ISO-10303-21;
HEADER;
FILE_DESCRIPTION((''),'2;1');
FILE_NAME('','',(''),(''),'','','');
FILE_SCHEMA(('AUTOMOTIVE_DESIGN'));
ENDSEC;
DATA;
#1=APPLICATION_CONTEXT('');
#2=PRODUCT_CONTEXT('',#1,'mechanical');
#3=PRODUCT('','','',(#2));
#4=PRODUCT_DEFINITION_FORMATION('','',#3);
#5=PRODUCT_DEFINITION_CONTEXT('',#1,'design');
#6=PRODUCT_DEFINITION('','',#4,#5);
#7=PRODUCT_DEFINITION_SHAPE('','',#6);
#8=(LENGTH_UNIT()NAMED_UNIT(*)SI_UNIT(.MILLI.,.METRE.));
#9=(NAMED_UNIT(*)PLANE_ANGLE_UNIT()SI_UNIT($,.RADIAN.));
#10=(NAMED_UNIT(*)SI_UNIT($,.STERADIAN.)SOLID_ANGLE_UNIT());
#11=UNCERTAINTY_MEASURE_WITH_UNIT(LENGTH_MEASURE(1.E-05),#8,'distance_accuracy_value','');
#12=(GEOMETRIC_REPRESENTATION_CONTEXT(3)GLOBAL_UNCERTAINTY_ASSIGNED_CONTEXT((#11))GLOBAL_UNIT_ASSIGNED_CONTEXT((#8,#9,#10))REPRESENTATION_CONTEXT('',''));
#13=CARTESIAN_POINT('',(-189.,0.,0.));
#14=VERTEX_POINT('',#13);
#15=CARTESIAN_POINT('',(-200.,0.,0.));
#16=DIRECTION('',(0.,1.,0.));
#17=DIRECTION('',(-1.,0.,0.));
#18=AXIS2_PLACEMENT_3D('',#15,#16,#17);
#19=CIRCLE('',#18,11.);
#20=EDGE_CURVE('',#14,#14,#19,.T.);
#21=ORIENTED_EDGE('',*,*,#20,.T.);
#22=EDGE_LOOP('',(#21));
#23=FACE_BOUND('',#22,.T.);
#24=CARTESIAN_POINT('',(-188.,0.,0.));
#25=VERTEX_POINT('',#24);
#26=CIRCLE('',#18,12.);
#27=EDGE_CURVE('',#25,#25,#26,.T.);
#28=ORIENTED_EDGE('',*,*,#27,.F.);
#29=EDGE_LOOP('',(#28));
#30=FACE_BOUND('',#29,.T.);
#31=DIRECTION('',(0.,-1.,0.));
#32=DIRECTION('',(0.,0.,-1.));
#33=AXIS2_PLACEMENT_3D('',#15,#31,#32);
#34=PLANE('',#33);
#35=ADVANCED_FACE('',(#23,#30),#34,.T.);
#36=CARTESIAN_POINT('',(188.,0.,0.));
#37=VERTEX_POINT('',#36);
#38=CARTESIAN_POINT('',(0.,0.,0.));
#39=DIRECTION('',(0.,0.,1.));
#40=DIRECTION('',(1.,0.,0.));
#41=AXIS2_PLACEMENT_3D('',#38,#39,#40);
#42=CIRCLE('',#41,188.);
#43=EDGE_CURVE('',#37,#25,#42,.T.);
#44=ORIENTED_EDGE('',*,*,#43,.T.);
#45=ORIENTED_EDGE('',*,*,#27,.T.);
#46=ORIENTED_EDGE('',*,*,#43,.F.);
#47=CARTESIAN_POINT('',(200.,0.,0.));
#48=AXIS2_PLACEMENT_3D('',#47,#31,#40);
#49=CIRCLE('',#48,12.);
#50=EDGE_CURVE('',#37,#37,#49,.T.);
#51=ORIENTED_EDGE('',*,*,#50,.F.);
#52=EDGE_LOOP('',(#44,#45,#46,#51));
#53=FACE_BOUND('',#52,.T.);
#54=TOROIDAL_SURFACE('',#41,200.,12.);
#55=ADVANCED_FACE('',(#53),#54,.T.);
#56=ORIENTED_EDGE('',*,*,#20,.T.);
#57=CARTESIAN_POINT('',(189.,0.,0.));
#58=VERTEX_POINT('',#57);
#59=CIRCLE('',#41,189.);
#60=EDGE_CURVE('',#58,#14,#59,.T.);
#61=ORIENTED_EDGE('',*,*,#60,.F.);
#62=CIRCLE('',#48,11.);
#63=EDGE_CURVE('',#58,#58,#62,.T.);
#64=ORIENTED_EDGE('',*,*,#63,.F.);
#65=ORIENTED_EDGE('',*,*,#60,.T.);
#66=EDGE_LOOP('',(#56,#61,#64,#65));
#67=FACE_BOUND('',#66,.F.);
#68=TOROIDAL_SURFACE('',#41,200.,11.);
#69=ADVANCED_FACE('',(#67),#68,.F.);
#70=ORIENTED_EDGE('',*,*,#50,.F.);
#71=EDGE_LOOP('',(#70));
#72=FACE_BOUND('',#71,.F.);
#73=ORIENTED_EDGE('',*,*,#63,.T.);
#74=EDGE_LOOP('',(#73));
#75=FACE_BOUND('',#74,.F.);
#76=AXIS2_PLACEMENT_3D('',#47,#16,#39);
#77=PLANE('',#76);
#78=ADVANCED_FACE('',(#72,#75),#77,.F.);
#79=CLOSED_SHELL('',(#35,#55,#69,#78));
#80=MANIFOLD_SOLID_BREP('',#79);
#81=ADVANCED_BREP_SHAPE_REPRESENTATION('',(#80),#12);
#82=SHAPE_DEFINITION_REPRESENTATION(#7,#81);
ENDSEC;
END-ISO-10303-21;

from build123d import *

# Parameters (mm, degrees)
F1_R   = 12
F1_R_2 = 11


with BuildPart() as f2:
    # F2: sweep along a path in F0
    with BuildLine(Plane.XY) as f2_path:
        ThreePointArc((200, 0), (0, 200), (-200, 0))
    # F1 (on Front) → F2 (sweep)
    with BuildSketch(Plane.XZ):
        with Locations((-200, 0)):
            Circle(F1_R)
        with Locations((-200, 0)):
            Circle(F1_R_2, mode=Mode.SUBTRACT)
    sweep(path=f2_path.line)


solid = f2.part
